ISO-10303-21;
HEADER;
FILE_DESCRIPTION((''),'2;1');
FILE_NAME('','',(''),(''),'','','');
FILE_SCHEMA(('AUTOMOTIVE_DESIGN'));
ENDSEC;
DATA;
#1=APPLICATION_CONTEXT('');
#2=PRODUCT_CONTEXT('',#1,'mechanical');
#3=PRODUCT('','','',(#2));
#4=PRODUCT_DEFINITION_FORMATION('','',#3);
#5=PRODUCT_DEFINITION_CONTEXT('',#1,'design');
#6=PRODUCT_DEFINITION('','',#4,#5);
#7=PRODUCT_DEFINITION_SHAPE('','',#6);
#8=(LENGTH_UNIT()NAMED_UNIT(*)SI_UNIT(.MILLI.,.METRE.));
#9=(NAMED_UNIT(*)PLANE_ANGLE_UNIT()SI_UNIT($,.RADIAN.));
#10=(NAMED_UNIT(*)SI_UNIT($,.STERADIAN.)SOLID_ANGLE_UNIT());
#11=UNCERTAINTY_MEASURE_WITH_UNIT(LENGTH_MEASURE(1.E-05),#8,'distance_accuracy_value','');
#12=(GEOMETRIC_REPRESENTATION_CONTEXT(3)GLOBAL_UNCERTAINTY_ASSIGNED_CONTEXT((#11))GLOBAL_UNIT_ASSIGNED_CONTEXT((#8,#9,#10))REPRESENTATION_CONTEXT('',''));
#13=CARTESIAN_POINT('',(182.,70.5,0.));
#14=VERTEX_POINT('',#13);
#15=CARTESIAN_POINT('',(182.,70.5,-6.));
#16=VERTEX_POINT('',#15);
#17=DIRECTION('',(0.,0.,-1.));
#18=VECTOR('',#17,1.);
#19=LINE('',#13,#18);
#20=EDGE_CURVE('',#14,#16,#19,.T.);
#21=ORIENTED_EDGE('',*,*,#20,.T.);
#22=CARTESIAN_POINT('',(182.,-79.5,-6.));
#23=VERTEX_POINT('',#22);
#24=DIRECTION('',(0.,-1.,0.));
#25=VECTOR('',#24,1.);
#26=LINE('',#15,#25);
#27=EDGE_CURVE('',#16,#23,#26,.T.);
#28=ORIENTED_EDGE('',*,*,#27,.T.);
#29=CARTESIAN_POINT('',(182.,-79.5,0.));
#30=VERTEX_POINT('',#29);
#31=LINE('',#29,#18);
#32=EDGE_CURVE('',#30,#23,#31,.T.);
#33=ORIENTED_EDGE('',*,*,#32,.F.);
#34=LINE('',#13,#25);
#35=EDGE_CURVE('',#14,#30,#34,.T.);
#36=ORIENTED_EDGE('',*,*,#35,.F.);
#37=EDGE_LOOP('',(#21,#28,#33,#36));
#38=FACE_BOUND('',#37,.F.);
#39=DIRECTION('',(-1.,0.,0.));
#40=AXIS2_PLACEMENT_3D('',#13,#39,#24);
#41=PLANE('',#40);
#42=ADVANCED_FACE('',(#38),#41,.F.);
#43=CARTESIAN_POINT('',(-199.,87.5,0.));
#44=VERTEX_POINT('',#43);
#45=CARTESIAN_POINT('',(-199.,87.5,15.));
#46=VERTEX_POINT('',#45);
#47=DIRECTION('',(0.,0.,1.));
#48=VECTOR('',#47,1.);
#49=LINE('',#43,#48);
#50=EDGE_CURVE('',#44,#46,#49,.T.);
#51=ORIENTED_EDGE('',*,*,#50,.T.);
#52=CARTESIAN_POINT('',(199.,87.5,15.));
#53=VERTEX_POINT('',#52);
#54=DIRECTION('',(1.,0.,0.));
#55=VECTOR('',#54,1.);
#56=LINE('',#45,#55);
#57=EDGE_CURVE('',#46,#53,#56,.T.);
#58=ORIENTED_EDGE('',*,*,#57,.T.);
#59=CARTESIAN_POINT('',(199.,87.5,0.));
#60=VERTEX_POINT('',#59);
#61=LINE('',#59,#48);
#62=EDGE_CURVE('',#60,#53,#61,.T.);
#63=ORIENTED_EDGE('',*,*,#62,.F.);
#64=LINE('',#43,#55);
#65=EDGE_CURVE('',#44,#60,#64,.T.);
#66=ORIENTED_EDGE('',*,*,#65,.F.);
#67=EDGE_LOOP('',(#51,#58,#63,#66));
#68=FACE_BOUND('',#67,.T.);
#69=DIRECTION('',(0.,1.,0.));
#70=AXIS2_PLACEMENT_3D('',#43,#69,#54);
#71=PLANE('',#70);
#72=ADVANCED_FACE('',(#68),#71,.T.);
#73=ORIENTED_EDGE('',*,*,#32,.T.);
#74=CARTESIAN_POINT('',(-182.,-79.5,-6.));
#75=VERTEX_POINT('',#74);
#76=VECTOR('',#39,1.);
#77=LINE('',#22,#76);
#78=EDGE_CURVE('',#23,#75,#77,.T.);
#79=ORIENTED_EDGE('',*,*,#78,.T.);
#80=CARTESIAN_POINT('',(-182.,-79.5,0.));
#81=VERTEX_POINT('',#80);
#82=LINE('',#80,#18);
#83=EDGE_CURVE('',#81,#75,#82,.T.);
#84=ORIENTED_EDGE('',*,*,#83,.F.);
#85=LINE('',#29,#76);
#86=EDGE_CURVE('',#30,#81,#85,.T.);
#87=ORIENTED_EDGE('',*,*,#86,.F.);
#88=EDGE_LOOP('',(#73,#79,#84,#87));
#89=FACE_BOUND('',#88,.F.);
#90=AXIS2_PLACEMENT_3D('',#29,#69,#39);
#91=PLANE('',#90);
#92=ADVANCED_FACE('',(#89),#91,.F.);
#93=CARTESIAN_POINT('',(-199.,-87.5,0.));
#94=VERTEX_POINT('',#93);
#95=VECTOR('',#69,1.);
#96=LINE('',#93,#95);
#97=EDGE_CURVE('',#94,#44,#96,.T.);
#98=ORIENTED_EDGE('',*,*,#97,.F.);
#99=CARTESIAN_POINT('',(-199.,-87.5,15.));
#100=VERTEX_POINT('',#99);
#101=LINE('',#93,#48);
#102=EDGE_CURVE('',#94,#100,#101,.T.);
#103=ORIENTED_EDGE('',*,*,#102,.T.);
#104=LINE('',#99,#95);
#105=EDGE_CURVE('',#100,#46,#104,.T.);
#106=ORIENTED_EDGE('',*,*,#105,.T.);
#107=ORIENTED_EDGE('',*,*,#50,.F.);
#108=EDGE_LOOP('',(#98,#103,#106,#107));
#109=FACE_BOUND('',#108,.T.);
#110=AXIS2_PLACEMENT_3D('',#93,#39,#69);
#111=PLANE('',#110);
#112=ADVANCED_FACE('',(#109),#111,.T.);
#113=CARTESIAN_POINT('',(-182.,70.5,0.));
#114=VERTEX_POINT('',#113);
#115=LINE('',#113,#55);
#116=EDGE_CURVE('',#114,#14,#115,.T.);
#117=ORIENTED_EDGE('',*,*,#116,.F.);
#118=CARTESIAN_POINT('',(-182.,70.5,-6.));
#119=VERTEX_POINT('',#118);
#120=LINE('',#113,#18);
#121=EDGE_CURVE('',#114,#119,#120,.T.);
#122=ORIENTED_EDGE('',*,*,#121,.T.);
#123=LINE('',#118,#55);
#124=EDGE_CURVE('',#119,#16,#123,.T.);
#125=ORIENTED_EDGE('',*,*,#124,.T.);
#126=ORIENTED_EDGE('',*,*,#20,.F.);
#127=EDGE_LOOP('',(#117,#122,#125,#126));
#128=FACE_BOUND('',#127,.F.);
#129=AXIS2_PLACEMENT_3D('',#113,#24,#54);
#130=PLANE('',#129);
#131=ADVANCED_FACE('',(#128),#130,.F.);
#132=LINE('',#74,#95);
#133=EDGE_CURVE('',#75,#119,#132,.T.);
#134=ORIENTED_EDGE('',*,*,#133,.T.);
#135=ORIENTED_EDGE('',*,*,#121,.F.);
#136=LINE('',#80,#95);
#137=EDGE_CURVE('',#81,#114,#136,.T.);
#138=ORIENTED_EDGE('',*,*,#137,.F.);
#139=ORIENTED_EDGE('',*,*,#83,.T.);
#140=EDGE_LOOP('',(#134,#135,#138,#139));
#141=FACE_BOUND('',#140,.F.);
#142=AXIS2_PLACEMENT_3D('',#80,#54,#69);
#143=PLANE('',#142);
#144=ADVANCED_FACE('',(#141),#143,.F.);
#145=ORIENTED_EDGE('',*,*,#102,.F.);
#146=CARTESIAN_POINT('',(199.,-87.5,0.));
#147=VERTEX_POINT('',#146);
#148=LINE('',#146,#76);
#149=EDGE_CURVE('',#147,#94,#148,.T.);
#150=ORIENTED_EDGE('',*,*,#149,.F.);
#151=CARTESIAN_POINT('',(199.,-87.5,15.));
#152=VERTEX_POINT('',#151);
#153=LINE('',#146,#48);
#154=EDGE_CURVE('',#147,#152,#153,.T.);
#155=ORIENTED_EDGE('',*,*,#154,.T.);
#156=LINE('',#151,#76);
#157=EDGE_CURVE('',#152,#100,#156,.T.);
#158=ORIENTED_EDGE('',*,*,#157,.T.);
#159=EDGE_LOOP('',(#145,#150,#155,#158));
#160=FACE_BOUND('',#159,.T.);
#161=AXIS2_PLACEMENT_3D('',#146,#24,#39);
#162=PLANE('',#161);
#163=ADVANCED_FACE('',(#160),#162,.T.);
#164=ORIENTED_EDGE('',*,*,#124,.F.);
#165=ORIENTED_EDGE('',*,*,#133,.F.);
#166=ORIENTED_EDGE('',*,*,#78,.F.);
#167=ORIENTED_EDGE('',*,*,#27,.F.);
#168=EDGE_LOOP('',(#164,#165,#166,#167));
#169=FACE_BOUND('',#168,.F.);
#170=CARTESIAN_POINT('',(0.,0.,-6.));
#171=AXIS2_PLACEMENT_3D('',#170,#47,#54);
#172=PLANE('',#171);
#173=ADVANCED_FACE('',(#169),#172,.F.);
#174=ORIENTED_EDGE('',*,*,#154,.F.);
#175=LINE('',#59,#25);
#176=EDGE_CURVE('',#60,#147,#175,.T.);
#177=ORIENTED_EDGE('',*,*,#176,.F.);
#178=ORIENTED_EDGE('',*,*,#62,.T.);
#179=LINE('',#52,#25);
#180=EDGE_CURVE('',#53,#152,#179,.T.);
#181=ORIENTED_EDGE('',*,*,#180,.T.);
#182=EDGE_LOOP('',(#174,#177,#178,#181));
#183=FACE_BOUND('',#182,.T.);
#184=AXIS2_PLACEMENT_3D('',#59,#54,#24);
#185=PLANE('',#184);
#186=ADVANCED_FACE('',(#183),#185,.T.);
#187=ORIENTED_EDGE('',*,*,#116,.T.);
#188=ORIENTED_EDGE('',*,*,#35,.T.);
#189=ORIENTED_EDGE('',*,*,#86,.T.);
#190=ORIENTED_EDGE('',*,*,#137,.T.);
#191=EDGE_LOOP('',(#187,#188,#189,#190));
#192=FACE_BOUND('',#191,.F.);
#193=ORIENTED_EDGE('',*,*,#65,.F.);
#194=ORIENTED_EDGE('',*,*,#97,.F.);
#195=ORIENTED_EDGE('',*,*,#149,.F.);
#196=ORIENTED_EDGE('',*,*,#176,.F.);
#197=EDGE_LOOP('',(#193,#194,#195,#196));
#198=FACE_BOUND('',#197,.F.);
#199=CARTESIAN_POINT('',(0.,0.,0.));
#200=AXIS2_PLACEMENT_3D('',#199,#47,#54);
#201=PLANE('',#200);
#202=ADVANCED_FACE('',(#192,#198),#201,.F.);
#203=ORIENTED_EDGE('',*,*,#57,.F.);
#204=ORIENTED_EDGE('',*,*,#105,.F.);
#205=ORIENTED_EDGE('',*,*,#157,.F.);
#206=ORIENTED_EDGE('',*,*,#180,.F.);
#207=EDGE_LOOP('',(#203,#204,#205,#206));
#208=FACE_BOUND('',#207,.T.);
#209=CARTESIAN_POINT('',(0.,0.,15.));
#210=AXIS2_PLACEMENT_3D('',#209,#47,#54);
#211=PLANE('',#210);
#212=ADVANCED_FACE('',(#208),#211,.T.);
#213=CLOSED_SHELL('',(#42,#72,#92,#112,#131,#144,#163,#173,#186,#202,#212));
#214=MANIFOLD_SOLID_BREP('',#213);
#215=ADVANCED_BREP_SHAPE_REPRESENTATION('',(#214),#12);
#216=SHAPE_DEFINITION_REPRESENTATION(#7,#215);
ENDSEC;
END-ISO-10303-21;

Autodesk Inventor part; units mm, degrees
ref_plane "YZ Plane" through (0, 0, 0) normal (1, 0, 0) x (0, 1, 0)
ref_plane "XZ Plane" through (0, 0, 0) normal (0, 1, 0) x (-1, 0, 0)
ref_plane "XY Plane" through (0, 0, 0) normal (0, 0, 1) x (1, 0, 0)
sketch "Skizze1" plane through (0, 0, 0) normal (0, 0, 1) x (1, 0, 0)
  line L0 (199, -87.5) -> (-199, -87.5)
  line L1 (-199, -87.5) -> (-199, 87.5)
  line L2 (-199, 87.5) -> (199, 87.5)
  line L3 (199, 87.5) -> (199, -87.5)
  line L4 (199, -87.5) -> (-199, 87.5) construction
  line L5 (-199, -87.5) -> (199, 87.5) construction
  line L6 (-182, 70.5) -> (182, 70.5)
  line L7 (182, 70.5) -> (182, -79.5)
  line L8 (182, -79.5) -> (-182, -79.5)
  line L9 (-182, -79.5) -> (-182, 70.5)
  line L10 (-182, 70.5) -> (182, -79.5) construction
  line L11 (182, 70.5) -> (-182, -79.5) construction
  point P0 (0, 0)
  point P1 (0, -4.5)
  point P2 (0, -4.5)
  point P3 (0, 0)
  dimension "d0" = 175
  dimension "d1" = 398
  dimension "d2" = 8
  dimension "d3" = 17
  dimension "d4" = 17
extrude "Extrusion1" add sketch "Skizze1" along normal blind 15 contours L0 L1 L2 L3 | L6 L7 L8 L9
extrude "Extrusion2" add sketch "Skizze1" against normal blind 6 contours L6 L7 L8 L9
equation "\"d1\" = case_width - 2 * gap_air"
equation "\"d5\" = inner_thickness"
equation "\"d7\" = mdf_thickness"
equation "\"kg_thickness\" = 4.9"
equation "\"ht_thickness\" = 1.9"
equation "\"case_thickness\" = 18"
equation "\"inner_thickness\" = 15"
equation "\"gap_fit\" = 0.1"
equation "\"gap_slide\" = 0.2"
equation "\"gap_air\" = 1"
equation "\"bore_diameter\" = 73"
equation "\"mdf_thickness\" = 6"
equation "\"tape_width\" = 15"
equation "\"tape_thickness\" = 3"
equation "\"inner_depth\" = 255"
equation "\"case_width\" = 400"
properties part number "Front_Elektronik"
